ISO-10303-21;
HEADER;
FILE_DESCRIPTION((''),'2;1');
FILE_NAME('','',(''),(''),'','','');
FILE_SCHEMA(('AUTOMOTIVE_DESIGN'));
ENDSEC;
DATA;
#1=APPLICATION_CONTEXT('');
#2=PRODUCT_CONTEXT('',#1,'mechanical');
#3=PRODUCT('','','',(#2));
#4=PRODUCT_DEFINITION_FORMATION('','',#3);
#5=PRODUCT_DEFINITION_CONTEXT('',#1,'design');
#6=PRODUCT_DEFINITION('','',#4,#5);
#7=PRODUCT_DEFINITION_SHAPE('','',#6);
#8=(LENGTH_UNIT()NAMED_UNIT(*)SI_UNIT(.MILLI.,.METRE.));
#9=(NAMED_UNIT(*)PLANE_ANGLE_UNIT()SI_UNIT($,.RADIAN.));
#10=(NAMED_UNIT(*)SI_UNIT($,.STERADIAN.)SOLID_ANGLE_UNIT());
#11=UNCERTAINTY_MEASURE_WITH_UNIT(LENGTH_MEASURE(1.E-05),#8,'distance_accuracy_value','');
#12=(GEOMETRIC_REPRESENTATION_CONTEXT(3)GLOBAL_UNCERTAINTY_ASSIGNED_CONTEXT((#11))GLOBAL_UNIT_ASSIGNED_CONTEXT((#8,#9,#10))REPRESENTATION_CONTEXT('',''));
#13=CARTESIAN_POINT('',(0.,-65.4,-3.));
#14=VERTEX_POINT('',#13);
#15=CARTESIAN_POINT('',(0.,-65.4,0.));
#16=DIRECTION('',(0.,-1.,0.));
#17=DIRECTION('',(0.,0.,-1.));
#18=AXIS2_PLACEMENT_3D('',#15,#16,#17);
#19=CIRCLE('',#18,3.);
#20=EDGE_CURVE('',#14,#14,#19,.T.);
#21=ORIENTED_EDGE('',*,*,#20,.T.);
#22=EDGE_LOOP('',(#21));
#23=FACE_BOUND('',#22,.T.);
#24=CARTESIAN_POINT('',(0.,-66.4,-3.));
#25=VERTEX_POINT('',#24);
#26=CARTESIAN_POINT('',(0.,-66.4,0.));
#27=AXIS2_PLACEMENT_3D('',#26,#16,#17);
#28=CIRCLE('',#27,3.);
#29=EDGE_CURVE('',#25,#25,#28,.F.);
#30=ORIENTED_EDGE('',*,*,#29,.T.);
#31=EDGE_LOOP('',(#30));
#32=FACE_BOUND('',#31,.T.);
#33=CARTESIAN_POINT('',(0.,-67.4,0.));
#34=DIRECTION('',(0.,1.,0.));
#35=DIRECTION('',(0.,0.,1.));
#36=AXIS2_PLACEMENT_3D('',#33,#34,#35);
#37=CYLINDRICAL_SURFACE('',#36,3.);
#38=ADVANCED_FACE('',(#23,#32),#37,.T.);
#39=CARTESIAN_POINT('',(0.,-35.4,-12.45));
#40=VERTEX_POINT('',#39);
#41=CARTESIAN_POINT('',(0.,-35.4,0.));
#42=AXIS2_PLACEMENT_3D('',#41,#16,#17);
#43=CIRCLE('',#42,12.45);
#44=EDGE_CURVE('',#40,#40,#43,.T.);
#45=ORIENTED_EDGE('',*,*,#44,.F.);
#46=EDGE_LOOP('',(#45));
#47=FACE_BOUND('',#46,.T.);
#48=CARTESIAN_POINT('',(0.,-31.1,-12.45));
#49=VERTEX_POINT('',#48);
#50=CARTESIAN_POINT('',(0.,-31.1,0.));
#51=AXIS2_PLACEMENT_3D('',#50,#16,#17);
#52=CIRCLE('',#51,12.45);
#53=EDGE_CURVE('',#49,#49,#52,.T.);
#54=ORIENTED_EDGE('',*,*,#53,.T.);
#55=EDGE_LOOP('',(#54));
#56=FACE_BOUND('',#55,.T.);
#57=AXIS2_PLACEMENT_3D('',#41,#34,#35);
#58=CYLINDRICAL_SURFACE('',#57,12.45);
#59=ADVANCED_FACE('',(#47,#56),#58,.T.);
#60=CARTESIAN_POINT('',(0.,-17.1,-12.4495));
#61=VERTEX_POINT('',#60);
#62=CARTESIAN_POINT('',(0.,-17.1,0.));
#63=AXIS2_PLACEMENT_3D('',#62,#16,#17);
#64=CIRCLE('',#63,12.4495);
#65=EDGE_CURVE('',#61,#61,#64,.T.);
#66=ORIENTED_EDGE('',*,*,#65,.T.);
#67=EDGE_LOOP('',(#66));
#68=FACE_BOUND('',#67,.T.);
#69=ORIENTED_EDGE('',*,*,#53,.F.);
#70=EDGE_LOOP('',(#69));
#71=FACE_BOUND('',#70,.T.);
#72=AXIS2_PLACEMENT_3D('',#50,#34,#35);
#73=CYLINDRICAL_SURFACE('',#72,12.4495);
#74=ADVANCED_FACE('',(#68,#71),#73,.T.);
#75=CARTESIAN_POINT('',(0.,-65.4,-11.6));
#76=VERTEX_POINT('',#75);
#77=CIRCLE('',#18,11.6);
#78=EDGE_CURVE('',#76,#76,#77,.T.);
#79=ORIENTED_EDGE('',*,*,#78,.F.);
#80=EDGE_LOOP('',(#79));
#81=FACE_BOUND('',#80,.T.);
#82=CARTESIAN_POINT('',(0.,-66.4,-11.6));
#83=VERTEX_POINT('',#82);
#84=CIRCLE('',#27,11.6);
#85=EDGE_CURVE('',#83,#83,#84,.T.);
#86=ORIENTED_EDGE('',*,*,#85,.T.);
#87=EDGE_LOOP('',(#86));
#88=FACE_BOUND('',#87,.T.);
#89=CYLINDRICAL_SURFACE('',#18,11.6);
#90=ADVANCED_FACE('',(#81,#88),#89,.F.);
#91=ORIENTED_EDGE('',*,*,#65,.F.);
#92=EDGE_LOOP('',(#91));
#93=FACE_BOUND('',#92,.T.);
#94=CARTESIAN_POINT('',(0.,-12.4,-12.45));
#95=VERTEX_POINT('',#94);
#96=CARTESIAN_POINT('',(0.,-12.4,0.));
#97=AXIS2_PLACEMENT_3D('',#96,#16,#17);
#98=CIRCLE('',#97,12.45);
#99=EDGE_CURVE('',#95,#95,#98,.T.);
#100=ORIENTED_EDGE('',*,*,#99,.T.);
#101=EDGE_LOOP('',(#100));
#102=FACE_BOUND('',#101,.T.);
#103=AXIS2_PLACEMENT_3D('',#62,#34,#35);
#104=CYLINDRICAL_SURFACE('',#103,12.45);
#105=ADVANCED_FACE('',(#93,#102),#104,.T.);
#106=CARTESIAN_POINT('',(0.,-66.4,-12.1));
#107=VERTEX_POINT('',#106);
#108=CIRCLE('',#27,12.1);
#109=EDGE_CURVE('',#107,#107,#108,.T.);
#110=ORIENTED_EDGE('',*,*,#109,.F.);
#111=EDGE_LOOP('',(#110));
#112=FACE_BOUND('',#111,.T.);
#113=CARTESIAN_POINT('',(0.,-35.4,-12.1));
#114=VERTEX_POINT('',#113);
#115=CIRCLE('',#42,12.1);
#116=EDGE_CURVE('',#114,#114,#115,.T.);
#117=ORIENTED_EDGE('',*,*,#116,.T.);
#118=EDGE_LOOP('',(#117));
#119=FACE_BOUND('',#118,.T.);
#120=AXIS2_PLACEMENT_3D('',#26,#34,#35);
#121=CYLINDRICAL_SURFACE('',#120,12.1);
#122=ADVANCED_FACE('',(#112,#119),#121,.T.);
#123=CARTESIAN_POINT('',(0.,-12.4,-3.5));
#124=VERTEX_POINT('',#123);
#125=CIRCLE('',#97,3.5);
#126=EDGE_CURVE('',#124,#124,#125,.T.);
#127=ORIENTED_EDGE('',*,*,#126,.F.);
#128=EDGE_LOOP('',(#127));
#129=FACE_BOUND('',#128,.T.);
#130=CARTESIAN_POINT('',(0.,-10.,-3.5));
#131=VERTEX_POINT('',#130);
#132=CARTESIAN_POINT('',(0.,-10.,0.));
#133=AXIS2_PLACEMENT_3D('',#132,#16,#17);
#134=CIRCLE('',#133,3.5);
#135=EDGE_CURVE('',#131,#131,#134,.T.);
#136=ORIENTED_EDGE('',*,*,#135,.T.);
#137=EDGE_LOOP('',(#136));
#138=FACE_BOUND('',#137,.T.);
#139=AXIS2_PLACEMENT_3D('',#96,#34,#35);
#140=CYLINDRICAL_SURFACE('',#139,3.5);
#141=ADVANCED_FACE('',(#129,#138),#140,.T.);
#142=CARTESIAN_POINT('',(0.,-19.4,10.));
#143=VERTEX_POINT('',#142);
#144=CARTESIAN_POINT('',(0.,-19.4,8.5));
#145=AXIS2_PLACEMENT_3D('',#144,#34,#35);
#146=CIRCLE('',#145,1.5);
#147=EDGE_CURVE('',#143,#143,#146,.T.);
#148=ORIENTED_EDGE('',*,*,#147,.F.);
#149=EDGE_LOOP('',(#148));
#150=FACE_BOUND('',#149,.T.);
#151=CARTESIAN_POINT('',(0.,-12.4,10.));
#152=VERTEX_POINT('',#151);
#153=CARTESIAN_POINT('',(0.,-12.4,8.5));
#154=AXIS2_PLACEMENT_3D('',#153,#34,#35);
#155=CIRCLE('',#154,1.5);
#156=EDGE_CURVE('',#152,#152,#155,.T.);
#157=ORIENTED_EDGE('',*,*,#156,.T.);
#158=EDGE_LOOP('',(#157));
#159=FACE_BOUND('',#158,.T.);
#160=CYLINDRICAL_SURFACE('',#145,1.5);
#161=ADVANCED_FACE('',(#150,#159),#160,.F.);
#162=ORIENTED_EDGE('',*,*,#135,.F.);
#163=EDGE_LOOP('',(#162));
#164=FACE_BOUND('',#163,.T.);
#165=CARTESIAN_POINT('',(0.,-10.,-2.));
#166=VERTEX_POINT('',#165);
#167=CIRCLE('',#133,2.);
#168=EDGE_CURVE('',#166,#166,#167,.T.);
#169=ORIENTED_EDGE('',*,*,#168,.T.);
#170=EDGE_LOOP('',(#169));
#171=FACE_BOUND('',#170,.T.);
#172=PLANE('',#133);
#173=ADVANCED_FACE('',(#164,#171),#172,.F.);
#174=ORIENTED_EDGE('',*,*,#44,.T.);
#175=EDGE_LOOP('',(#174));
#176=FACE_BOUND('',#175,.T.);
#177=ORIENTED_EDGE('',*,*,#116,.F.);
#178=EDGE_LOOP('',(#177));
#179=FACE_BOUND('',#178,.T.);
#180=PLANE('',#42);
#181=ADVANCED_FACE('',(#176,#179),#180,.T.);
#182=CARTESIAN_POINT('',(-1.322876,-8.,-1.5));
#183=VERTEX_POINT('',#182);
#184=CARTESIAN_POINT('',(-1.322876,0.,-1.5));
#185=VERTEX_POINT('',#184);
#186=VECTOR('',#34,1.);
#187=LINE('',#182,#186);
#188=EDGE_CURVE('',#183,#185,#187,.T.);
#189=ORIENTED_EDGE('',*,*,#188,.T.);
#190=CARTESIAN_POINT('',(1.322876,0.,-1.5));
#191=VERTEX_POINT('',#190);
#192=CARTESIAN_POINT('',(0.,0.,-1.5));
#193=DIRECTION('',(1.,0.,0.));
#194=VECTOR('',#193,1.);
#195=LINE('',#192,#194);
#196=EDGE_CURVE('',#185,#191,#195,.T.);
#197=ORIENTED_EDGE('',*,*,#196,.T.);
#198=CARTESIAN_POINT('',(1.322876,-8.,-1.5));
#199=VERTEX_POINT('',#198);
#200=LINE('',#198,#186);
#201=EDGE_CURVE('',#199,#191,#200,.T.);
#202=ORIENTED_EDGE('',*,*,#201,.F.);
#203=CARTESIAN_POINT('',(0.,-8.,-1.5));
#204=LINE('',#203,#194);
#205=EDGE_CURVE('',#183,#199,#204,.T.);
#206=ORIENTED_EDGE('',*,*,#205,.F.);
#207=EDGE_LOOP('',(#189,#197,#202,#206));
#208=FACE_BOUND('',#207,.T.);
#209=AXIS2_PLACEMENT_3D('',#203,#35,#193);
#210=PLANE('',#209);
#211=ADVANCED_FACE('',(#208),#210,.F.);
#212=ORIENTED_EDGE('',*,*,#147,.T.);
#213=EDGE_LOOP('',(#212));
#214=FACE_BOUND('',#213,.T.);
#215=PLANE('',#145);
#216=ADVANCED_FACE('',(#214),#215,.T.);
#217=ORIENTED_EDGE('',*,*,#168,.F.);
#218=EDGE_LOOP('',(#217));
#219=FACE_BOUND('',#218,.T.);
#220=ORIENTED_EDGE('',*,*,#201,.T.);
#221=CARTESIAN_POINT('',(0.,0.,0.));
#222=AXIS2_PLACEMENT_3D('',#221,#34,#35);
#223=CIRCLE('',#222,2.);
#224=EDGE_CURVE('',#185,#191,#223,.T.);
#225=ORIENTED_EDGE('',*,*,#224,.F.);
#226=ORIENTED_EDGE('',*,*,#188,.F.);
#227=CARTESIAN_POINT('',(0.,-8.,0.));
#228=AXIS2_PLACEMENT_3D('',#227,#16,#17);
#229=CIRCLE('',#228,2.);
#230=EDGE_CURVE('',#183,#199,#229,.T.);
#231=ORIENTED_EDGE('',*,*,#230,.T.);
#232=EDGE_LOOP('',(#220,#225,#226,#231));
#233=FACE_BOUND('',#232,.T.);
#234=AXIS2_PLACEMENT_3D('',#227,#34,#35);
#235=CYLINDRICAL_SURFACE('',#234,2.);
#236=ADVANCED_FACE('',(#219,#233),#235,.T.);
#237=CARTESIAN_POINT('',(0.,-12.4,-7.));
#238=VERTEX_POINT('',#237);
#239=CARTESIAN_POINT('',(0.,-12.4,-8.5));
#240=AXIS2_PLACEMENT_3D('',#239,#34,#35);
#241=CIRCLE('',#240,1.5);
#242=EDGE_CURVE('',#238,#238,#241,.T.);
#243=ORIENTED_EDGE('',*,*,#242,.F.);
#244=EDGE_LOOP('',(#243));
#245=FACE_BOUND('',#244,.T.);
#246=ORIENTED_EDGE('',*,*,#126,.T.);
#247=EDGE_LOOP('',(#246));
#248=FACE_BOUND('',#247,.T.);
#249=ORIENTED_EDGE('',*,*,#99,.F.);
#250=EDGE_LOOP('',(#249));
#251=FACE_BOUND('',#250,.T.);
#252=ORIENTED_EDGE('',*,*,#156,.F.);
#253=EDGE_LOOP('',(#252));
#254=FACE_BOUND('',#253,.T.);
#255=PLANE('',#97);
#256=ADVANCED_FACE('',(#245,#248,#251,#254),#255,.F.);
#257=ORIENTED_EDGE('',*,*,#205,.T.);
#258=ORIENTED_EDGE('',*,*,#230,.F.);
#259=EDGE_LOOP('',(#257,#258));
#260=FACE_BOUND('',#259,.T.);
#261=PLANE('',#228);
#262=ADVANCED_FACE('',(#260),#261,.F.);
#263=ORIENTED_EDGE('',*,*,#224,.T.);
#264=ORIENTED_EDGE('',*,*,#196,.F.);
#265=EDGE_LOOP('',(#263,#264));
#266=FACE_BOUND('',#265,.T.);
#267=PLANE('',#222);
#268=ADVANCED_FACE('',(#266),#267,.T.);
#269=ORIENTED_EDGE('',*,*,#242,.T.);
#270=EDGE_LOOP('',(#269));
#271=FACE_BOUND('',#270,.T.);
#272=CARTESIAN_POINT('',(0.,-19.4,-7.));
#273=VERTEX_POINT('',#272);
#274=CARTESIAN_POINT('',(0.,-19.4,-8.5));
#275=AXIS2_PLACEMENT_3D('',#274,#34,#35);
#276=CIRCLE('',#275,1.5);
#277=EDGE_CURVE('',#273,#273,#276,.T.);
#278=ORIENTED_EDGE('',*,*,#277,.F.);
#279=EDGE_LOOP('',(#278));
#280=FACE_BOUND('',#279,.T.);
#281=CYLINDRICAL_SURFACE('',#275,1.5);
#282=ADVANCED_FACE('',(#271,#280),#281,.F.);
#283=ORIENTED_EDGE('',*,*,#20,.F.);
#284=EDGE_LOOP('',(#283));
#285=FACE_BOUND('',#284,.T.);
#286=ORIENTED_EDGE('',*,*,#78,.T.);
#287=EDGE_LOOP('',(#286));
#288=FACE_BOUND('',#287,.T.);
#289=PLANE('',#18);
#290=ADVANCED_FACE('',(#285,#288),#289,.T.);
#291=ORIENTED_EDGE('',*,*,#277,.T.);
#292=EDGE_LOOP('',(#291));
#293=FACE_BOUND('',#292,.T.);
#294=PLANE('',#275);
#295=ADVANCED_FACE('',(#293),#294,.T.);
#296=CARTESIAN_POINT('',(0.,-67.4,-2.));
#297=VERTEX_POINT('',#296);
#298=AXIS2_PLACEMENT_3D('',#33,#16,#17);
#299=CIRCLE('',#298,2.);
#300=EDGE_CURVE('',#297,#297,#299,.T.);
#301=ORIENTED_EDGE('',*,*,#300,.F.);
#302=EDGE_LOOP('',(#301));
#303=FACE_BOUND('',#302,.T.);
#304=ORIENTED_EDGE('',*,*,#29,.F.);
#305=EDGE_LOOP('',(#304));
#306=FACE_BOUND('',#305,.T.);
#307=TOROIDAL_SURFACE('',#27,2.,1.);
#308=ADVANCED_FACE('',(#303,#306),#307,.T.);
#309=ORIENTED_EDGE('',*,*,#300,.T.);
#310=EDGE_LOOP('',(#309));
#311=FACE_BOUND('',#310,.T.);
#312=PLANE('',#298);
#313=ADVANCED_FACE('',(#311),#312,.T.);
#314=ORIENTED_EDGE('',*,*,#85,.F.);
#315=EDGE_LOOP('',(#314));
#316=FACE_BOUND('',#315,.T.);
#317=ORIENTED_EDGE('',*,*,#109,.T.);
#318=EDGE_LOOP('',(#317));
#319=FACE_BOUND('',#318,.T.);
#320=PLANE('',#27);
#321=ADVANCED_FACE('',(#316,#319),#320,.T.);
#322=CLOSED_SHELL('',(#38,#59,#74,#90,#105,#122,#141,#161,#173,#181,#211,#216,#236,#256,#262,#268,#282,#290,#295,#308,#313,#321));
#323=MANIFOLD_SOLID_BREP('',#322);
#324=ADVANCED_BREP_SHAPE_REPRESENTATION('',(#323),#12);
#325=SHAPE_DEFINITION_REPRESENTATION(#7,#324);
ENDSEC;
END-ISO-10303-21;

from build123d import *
from build123d.topology import SkipClean

# Parameters (mm, degrees)
EXTRUDE_1_DEPTH     = 8
SKETCH_3_R          = 2
EXTRUDE_2_DEPTH     = 2
SKETCH_4_R          = 3.5
EXTRUDE_3_DEPTH     = 2.4
SKETCH_5_R          = 12.45
EXTRUDE_4_DEPTH     = 4.7
SKETCH_6_R          = 12.4495
EXTRUDE_5_DEPTH     = 14
SKETCH_7_R          = 12.45
EXTRUDE_6_DEPTH     = 4.3
SKETCH_8_R          = 12.1
EXTRUDE_7_DEPTH     = 31
SKETCH_9_R          = 11.6
CUT_EXTRUDE_3_DEPTH = 1
SKETCH_10_R         = 3
EXTRUDE_8_DEPTH     = 2
FILLET_1_R          = 1
SKETCH_11_R         = 1.5
CUT_EXTRUDE_4_DEPTH = 7


with BuildPart() as part:
    # Эскиз2 → Бобышка-Вытянуть1 (new body)
    with BuildSketch(Plane(origin=(0, 0, 0), x_dir=(1, 0, 0), z_dir=(0, 1, 0))):
        with BuildLine():
            Line((1.322875656, 1.5), (-1.322875656, 1.5))
            ThreePointArc((-1.322875656, 1.5), (-0.822875656, -1.822875656), (2, 0))
            ThreePointArc((2, 0), (1.822875656, 0.822875656), (1.322875656, 1.5))
        make_face()
    extrude(amount=-EXTRUDE_1_DEPTH)

    # Эскиз3 → Бобышка-Вытянуть2 (add)
    with BuildSketch(Plane(origin=(0, -8, 0), x_dir=(-1, 0, 0), z_dir=(0, -1, 0))):
        with Locations(Location((0, 0, 0), (0, 0, 48.590377891))):
            Circle(SKETCH_3_R)
    extrude(amount=EXTRUDE_2_DEPTH)

    # Эскиз4 → Бобышка-Вытянуть3 (add)
    with SkipClean():  # the faces are left unmerged after this step: merging them gives an invalid solid
        with BuildSketch(Plane(origin=(0, -10, 0), x_dir=(-1, 0, 0), z_dir=(0, -1, 0))):
            with Locations(Location((0, 0, 0), (0, 0, 90))):
                Circle(SKETCH_4_R)
        extrude(amount=EXTRUDE_3_DEPTH)

    # Эскиз5 → Бобышка-Вытянуть4 (add)
    with SkipClean():  # the faces are left unmerged after this step: merging them gives an invalid solid
        with BuildSketch(Plane(origin=(0, -12.4, 0), x_dir=(-1, 0, 0), z_dir=(0, -1, 0))):
            with Locations(Location((0, 0, 0), (0, 0, 90))):
                Circle(SKETCH_5_R)
        extrude(amount=EXTRUDE_4_DEPTH)

    # Эскиз6 → Бобышка-Вытянуть5 (add)
    with SkipClean():  # the faces are left unmerged after this step: merging them gives an invalid solid
        with BuildSketch(Plane(origin=(0, -17.1, 0), x_dir=(-1, 0, 0), z_dir=(0, -1, 0))):
            with Locations(Location((0, 0, 0), (0, 0, 90))):
                Circle(SKETCH_6_R)
        extrude(amount=EXTRUDE_5_DEPTH)

    # Эскиз7 → Бобышка-Вытянуть6 (add)
    with SkipClean():  # the faces are left unmerged after this step: merging them gives an invalid solid
        with BuildSketch(Plane(origin=(0, -31.1, 0), x_dir=(-1, 0, 0), z_dir=(0, -1, 0))):
            with Locations(Location((0, 0, 0), (0, 0, 90))):
                Circle(SKETCH_7_R)
        extrude(amount=EXTRUDE_6_DEPTH)

    # Эскиз8 → Бобышка-Вытянуть7 (add)
    with SkipClean():  # the faces are left unmerged after this step: merging them gives an invalid solid
        with BuildSketch(Plane(origin=(0, -35.4, 0), x_dir=(-1, 0, 0), z_dir=(0, -1, 0))):
            with Locations(Location((0, 0, 0), (0, 0, 90))):
                Circle(SKETCH_8_R)
        extrude(amount=EXTRUDE_7_DEPTH)

    # Эскиз9 → Вырез-Вытянуть3 (cut)
    with SkipClean():  # the faces are left unmerged after this step: merging them gives an invalid solid
        with BuildSketch(Plane(origin=(0, -66.4, 0), x_dir=(-1, 0, 0), z_dir=(0, -1, 0))):
            with Locations(Location((0, 0, 0), (0, 0, 90))):
                Circle(SKETCH_9_R)
        extrude(amount=-CUT_EXTRUDE_3_DEPTH, mode=Mode.SUBTRACT)

    # Эскиз10 → Бобышка-Вытянуть8 (add)
    with SkipClean():  # the faces are left unmerged after this step: merging them gives an invalid solid
        with BuildSketch(Plane(origin=(0, -65.4, 0), x_dir=(-1, 0, 0), z_dir=(0, -1, 0))):
            with Locations(Location((0, 0, 0), (0, 0, 90))):
                Circle(SKETCH_10_R)
        extrude(amount=EXTRUDE_8_DEPTH)

    # Скругление1
    fillet_1_edges = [part.edges().sort_by_distance(p)[0] for p in [
        (0, -67.4, 3),
    ]]
    fillet(fillet_1_edges, radius=FILLET_1_R)

    # Эскиз11 → Вырез-Вытянуть4 (cut)
    with SkipClean():  # the faces are left unmerged after this step: merging them gives an invalid solid
        with BuildSketch(Plane(origin=(0, -12.4, 0), x_dir=(1, 0, 0), z_dir=(0, 1, 0))):
            with Locations(Location((0, 8.5, 0), (0, 0, 270))):
                Circle(SKETCH_11_R)
            with Locations(Location((0, -8.5, 0), (0, 0, 270))):
                Circle(SKETCH_11_R)
        extrude(amount=-CUT_EXTRUDE_4_DEPTH, mode=Mode.SUBTRACT)


solid = part.part
